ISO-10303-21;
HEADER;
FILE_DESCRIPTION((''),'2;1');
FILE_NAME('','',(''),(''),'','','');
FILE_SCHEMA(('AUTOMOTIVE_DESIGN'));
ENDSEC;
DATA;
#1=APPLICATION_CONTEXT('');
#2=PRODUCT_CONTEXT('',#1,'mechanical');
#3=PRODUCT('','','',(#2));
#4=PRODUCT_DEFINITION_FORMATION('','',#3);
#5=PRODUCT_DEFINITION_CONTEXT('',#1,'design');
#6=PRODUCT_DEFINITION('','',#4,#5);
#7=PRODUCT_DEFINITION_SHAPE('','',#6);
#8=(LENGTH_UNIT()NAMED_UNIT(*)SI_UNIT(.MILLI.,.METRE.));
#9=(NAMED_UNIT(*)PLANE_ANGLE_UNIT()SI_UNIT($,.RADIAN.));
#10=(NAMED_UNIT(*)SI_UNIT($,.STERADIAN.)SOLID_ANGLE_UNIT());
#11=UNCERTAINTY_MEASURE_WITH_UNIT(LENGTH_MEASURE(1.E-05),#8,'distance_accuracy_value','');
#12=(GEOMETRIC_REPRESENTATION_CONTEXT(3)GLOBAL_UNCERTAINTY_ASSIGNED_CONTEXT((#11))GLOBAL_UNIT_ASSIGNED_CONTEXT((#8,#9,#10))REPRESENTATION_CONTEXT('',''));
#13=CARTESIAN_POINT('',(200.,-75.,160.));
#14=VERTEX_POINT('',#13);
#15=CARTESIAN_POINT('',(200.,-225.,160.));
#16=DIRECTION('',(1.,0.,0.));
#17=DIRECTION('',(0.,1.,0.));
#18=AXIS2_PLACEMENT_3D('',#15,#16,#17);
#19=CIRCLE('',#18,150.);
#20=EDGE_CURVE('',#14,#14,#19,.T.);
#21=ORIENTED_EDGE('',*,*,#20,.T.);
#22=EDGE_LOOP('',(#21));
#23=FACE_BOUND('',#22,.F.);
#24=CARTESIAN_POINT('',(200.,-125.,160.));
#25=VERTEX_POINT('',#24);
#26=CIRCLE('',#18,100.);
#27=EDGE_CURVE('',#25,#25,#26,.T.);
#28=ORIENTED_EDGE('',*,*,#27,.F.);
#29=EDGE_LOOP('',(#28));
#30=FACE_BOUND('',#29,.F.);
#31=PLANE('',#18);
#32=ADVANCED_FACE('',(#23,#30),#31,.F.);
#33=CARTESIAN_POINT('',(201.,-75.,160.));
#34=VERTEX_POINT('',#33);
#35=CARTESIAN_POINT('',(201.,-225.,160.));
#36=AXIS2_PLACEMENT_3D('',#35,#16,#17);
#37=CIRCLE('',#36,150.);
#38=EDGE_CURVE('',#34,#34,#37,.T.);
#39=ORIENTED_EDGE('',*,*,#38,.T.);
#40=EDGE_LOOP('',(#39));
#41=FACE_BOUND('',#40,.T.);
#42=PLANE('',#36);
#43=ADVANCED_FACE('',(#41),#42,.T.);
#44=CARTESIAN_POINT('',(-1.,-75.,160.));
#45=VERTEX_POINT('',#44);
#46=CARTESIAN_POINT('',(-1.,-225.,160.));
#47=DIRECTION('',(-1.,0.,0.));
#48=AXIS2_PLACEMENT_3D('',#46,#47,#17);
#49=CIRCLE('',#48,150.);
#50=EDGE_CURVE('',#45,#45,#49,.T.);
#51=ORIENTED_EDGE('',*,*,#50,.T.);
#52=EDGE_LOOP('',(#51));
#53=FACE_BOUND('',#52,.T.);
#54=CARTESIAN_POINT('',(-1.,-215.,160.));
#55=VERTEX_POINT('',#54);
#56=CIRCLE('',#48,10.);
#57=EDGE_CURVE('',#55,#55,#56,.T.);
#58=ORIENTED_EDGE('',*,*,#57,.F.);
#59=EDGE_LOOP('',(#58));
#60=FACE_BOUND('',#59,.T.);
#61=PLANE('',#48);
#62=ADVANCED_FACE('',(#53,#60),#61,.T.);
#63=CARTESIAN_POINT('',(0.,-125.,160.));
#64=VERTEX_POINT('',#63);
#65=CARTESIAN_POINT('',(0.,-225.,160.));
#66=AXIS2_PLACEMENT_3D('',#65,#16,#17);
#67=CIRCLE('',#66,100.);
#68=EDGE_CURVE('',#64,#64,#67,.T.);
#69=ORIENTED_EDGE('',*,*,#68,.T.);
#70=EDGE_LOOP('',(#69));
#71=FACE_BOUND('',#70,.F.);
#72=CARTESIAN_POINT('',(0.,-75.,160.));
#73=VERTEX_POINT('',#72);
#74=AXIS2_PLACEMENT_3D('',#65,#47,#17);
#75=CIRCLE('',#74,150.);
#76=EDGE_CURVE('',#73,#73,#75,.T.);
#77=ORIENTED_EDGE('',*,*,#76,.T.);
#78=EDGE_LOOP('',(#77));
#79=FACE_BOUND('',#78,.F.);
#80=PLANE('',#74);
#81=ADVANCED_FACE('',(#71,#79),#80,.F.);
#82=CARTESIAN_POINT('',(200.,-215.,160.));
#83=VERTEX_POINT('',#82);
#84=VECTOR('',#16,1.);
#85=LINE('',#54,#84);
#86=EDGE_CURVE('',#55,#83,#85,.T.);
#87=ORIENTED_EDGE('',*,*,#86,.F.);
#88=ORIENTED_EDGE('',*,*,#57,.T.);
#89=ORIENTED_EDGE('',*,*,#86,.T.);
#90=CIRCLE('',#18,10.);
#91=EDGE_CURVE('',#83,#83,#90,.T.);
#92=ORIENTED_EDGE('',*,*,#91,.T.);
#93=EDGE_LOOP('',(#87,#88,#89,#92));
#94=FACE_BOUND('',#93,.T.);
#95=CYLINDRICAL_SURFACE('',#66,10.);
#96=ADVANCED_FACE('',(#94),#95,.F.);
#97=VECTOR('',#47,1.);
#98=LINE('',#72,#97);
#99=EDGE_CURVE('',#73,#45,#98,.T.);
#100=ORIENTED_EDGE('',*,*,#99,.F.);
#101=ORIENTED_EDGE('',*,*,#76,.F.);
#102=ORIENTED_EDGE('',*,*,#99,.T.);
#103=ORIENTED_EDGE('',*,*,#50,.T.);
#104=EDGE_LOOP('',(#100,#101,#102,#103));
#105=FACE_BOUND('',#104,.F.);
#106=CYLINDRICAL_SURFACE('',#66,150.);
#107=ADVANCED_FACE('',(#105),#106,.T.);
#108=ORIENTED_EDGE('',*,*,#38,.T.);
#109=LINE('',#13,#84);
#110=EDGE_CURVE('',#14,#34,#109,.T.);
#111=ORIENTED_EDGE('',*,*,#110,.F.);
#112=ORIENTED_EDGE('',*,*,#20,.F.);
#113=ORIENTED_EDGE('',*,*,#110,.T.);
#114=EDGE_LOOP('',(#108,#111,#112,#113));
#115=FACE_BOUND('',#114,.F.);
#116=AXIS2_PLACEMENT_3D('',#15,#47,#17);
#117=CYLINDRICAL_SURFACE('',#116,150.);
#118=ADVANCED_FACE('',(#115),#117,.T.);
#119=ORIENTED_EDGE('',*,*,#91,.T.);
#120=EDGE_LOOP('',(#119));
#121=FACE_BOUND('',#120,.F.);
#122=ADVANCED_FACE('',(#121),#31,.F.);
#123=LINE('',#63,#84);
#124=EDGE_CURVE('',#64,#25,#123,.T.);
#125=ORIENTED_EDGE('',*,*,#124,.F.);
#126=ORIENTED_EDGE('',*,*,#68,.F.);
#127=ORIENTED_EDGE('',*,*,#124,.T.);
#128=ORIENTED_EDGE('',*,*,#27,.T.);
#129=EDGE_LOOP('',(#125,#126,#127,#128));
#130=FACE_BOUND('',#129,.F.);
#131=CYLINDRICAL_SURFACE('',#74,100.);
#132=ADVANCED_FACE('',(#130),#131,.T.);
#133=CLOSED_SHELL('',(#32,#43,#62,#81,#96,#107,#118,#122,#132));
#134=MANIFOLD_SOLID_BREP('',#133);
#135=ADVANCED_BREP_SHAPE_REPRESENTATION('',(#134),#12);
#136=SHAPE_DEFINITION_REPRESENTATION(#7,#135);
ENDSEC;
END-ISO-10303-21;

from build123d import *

# Parameters (mm, degrees)
SKETCH005_R   = 100
SKETCH005_R_2 = 10
PAD003_DEPTH  = 200
SKETCH010_R   = 150
SKETCH010_R_2 = 10
PAD007_DEPTH  = 1
SKETCH011_R   = 150
PAD008_DEPTH  = 1


with BuildPart() as part:
    # Sketch005 → Pad003 (new body)
    with BuildSketch(Plane.YZ):
        Circle(SKETCH005_R)
        Circle(SKETCH005_R_2, mode=Mode.SUBTRACT)
    extrude(amount=PAD003_DEPTH)

    # Sketch010 (on Face3 of Pad003) → Pad007 (join)
    with BuildSketch(Plane(origin=(0, 0, 0), x_dir=(0, 1, 0), z_dir=(-1, 0, 0))):
        Circle(SKETCH010_R)
        Circle(SKETCH010_R_2, mode=Mode.SUBTRACT)
    extrude(amount=PAD007_DEPTH)

    # Sketch011 (on Face3 of Pad007) → Pad008 (join)
    with BuildSketch(Plane.YZ.offset(200)):
        Circle(SKETCH011_R)
    extrude(amount=PAD008_DEPTH)


with BuildPart() as part_1:
    # Body002 placement: moved
    add(part.part.moved(Location((0, -225, 160))))


solid = part_1.part
